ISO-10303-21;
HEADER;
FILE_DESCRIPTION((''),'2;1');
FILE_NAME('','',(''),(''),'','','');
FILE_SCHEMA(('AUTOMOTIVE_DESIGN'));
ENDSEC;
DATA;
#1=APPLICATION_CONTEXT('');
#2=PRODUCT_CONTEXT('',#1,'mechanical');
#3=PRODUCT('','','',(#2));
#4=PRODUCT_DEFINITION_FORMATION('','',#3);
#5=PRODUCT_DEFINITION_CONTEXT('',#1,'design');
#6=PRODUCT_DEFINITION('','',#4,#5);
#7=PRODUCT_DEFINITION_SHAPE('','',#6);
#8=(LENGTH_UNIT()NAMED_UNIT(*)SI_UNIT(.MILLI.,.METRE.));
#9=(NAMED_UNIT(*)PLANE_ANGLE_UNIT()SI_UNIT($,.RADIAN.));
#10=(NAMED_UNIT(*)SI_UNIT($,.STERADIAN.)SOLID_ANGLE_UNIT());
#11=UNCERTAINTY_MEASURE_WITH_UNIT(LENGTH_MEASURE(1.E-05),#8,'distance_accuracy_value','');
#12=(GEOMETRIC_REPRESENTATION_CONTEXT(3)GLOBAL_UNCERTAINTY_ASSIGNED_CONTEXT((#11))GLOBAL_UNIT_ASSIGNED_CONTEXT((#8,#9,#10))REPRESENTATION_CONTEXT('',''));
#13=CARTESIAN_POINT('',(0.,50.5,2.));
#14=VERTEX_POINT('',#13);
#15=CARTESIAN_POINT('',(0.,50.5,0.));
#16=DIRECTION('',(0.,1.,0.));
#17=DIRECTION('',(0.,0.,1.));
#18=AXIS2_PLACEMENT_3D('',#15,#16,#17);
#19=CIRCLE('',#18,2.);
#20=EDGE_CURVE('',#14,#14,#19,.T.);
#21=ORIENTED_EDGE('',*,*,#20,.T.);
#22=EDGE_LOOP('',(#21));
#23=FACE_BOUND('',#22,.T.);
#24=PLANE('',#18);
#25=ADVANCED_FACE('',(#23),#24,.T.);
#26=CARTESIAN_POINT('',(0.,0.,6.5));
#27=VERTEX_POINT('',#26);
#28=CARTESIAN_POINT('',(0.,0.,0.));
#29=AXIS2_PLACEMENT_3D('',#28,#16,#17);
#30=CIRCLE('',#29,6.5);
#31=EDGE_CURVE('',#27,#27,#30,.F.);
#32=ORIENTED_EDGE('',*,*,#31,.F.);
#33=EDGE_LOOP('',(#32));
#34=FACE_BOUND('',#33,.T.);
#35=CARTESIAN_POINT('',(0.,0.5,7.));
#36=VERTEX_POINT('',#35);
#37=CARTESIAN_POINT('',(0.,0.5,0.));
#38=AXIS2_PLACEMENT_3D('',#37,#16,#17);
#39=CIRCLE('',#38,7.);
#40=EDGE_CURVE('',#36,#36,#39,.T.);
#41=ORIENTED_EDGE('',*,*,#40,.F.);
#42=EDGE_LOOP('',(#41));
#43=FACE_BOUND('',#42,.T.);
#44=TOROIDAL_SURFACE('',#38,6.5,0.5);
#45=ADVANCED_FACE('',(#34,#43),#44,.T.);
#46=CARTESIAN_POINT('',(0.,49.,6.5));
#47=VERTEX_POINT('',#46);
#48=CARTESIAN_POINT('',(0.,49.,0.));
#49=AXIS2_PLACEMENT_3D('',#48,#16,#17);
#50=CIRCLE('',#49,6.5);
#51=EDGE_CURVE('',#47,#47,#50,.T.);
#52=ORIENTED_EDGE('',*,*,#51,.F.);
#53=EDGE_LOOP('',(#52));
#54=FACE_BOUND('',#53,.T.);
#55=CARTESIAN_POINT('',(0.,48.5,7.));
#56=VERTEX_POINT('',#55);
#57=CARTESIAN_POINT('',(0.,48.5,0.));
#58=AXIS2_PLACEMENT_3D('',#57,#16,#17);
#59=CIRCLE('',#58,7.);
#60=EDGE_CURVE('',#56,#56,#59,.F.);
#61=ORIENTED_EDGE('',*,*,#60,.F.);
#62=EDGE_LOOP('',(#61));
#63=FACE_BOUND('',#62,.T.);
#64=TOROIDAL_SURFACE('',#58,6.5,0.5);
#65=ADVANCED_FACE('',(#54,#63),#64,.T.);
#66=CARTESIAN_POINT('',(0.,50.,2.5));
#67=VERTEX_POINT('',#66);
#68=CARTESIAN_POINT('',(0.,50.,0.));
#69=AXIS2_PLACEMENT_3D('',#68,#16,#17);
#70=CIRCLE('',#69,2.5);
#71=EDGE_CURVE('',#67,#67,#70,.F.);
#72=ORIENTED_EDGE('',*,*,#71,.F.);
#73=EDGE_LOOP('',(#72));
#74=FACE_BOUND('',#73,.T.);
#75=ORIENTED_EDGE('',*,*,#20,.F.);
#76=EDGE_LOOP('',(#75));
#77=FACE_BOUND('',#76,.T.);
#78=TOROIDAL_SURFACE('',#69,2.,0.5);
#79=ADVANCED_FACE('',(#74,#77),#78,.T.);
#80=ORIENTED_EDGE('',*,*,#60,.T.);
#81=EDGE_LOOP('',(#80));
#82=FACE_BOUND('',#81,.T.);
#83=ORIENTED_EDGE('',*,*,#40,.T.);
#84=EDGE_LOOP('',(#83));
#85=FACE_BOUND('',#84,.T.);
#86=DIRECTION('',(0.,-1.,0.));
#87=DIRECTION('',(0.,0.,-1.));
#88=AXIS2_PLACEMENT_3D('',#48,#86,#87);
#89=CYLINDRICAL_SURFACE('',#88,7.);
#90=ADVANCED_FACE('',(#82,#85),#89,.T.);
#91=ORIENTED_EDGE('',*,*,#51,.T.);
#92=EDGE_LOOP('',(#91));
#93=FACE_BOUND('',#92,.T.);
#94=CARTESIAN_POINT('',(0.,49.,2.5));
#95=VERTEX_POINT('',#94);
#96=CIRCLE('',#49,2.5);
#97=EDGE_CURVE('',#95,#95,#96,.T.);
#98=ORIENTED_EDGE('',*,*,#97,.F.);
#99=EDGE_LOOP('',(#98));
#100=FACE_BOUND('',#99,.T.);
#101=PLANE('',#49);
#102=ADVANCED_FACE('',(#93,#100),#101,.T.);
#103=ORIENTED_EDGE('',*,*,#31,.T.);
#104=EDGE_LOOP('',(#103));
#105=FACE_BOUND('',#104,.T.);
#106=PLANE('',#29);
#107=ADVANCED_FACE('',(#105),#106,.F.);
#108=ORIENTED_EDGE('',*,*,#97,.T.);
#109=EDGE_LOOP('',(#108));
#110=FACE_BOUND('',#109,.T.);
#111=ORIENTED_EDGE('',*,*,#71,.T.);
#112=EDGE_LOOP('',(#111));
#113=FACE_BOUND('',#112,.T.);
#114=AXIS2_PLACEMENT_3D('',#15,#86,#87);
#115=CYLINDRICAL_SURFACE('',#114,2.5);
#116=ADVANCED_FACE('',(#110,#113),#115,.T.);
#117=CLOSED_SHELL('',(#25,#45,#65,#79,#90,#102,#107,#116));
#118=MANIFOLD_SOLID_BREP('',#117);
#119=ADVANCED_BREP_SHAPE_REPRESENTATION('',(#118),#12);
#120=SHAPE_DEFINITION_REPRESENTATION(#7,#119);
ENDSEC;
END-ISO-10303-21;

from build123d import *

# Parameters (mm, degrees)
SKETCH1_R           = 7
BOSS_EXTRUDE1_DEPTH = 49
SKETCH2_R           = 2.5
BOSS_EXTRUDE2_DEPTH = 1.5
FILLET1_R           = 0.5


with BuildPart() as part:
    # Sketch1 → Boss-Extrude1 (new body)
    with BuildSketch(Plane(origin=(0, 0, 0), x_dir=(1, 0, 0), z_dir=(0, 1, 0))):
        Circle(SKETCH1_R)
    extrude(amount=BOSS_EXTRUDE1_DEPTH)

    # Sketch2 → Boss-Extrude2 (add)
    with BuildSketch(Plane(origin=(0, 49, 0), x_dir=(1, 0, 0), z_dir=(0, 1, 0))):
        Circle(SKETCH2_R)
    extrude(amount=BOSS_EXTRUDE2_DEPTH)

    # Fillet1
    fillet1_edges = [part.edges().sort_by_distance(p)[0] for p in [
        (-7, 0, 0),
        (-7, 49, 0),
        (-2.5, 50.5, 0),
    ]]
    fillet(fillet1_edges, radius=FILLET1_R)


solid = part.part
